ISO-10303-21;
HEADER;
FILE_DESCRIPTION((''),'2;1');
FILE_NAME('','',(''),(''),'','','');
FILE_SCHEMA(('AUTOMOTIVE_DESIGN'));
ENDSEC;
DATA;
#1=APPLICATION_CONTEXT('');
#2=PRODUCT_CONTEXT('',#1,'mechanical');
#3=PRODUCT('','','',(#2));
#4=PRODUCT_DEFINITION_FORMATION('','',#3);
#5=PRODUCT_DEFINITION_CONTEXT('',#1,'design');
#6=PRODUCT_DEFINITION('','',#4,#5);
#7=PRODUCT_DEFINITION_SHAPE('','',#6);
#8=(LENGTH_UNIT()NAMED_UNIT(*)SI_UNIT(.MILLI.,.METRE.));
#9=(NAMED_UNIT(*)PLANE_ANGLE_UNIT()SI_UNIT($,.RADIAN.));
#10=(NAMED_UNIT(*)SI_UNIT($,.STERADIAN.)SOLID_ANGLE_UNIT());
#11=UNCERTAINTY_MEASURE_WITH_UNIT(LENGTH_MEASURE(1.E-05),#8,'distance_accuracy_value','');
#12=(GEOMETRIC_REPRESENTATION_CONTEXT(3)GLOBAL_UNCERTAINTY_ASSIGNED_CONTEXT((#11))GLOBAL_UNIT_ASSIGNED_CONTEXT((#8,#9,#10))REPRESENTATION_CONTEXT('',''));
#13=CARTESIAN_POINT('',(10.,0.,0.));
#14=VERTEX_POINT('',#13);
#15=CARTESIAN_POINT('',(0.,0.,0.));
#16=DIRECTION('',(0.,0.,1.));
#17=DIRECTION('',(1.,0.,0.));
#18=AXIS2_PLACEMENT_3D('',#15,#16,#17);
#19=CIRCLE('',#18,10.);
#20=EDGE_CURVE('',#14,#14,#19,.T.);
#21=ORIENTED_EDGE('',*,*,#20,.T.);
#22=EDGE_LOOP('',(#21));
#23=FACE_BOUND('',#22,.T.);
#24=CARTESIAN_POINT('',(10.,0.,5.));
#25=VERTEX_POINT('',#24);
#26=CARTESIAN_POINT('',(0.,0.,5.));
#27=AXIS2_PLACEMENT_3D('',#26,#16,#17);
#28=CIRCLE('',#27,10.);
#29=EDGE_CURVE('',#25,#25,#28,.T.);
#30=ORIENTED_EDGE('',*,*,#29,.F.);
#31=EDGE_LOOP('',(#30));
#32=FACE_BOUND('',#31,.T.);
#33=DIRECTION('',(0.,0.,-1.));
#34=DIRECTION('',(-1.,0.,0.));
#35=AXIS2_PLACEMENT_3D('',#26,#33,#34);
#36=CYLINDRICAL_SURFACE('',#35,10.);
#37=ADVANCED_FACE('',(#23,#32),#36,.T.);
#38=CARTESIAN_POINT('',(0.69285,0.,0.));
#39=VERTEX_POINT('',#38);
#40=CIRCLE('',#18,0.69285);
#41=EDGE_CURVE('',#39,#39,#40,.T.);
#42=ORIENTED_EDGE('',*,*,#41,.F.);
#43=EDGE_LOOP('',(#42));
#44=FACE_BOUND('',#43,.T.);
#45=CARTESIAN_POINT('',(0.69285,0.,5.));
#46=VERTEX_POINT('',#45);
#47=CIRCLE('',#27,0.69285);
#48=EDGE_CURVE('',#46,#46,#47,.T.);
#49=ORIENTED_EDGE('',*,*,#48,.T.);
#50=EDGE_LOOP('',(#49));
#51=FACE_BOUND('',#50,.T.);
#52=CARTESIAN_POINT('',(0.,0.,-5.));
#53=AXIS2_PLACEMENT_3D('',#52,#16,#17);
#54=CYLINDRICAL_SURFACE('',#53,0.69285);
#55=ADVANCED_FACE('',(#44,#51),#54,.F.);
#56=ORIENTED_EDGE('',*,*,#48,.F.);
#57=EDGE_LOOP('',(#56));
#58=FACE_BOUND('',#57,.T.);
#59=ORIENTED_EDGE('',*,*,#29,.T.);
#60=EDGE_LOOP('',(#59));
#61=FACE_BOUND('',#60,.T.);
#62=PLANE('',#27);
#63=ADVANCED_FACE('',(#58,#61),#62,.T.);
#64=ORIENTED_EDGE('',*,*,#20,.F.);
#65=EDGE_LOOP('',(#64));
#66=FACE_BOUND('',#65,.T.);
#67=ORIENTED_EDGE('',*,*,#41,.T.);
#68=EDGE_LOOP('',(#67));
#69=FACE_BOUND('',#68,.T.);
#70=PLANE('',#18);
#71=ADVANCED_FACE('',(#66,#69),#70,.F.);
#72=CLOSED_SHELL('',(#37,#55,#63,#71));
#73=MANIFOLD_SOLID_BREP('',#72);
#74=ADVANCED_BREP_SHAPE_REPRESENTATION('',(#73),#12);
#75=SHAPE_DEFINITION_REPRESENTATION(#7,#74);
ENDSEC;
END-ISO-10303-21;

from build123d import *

# Parameters (mm, degrees)
SKETCH1_R           = 10
BOSS_EXTRUDE1_DEPTH = 5
SKETCH2_R           = 0.69285
CUT_EXTRUDE1_DEPTH  = 10


with BuildPart() as part:
    # Sketch1 → Boss-Extrude1 (new body)
    with BuildSketch(Plane.XY):
        Circle(SKETCH1_R)
    extrude(amount=BOSS_EXTRUDE1_DEPTH)

    # Sketch2 → Cut-Extrude1 (cut)
    with BuildSketch(Plane.XY.offset(5)):
        Circle(SKETCH2_R)
    extrude(amount=-CUT_EXTRUDE1_DEPTH, mode=Mode.SUBTRACT)


solid = part.part
